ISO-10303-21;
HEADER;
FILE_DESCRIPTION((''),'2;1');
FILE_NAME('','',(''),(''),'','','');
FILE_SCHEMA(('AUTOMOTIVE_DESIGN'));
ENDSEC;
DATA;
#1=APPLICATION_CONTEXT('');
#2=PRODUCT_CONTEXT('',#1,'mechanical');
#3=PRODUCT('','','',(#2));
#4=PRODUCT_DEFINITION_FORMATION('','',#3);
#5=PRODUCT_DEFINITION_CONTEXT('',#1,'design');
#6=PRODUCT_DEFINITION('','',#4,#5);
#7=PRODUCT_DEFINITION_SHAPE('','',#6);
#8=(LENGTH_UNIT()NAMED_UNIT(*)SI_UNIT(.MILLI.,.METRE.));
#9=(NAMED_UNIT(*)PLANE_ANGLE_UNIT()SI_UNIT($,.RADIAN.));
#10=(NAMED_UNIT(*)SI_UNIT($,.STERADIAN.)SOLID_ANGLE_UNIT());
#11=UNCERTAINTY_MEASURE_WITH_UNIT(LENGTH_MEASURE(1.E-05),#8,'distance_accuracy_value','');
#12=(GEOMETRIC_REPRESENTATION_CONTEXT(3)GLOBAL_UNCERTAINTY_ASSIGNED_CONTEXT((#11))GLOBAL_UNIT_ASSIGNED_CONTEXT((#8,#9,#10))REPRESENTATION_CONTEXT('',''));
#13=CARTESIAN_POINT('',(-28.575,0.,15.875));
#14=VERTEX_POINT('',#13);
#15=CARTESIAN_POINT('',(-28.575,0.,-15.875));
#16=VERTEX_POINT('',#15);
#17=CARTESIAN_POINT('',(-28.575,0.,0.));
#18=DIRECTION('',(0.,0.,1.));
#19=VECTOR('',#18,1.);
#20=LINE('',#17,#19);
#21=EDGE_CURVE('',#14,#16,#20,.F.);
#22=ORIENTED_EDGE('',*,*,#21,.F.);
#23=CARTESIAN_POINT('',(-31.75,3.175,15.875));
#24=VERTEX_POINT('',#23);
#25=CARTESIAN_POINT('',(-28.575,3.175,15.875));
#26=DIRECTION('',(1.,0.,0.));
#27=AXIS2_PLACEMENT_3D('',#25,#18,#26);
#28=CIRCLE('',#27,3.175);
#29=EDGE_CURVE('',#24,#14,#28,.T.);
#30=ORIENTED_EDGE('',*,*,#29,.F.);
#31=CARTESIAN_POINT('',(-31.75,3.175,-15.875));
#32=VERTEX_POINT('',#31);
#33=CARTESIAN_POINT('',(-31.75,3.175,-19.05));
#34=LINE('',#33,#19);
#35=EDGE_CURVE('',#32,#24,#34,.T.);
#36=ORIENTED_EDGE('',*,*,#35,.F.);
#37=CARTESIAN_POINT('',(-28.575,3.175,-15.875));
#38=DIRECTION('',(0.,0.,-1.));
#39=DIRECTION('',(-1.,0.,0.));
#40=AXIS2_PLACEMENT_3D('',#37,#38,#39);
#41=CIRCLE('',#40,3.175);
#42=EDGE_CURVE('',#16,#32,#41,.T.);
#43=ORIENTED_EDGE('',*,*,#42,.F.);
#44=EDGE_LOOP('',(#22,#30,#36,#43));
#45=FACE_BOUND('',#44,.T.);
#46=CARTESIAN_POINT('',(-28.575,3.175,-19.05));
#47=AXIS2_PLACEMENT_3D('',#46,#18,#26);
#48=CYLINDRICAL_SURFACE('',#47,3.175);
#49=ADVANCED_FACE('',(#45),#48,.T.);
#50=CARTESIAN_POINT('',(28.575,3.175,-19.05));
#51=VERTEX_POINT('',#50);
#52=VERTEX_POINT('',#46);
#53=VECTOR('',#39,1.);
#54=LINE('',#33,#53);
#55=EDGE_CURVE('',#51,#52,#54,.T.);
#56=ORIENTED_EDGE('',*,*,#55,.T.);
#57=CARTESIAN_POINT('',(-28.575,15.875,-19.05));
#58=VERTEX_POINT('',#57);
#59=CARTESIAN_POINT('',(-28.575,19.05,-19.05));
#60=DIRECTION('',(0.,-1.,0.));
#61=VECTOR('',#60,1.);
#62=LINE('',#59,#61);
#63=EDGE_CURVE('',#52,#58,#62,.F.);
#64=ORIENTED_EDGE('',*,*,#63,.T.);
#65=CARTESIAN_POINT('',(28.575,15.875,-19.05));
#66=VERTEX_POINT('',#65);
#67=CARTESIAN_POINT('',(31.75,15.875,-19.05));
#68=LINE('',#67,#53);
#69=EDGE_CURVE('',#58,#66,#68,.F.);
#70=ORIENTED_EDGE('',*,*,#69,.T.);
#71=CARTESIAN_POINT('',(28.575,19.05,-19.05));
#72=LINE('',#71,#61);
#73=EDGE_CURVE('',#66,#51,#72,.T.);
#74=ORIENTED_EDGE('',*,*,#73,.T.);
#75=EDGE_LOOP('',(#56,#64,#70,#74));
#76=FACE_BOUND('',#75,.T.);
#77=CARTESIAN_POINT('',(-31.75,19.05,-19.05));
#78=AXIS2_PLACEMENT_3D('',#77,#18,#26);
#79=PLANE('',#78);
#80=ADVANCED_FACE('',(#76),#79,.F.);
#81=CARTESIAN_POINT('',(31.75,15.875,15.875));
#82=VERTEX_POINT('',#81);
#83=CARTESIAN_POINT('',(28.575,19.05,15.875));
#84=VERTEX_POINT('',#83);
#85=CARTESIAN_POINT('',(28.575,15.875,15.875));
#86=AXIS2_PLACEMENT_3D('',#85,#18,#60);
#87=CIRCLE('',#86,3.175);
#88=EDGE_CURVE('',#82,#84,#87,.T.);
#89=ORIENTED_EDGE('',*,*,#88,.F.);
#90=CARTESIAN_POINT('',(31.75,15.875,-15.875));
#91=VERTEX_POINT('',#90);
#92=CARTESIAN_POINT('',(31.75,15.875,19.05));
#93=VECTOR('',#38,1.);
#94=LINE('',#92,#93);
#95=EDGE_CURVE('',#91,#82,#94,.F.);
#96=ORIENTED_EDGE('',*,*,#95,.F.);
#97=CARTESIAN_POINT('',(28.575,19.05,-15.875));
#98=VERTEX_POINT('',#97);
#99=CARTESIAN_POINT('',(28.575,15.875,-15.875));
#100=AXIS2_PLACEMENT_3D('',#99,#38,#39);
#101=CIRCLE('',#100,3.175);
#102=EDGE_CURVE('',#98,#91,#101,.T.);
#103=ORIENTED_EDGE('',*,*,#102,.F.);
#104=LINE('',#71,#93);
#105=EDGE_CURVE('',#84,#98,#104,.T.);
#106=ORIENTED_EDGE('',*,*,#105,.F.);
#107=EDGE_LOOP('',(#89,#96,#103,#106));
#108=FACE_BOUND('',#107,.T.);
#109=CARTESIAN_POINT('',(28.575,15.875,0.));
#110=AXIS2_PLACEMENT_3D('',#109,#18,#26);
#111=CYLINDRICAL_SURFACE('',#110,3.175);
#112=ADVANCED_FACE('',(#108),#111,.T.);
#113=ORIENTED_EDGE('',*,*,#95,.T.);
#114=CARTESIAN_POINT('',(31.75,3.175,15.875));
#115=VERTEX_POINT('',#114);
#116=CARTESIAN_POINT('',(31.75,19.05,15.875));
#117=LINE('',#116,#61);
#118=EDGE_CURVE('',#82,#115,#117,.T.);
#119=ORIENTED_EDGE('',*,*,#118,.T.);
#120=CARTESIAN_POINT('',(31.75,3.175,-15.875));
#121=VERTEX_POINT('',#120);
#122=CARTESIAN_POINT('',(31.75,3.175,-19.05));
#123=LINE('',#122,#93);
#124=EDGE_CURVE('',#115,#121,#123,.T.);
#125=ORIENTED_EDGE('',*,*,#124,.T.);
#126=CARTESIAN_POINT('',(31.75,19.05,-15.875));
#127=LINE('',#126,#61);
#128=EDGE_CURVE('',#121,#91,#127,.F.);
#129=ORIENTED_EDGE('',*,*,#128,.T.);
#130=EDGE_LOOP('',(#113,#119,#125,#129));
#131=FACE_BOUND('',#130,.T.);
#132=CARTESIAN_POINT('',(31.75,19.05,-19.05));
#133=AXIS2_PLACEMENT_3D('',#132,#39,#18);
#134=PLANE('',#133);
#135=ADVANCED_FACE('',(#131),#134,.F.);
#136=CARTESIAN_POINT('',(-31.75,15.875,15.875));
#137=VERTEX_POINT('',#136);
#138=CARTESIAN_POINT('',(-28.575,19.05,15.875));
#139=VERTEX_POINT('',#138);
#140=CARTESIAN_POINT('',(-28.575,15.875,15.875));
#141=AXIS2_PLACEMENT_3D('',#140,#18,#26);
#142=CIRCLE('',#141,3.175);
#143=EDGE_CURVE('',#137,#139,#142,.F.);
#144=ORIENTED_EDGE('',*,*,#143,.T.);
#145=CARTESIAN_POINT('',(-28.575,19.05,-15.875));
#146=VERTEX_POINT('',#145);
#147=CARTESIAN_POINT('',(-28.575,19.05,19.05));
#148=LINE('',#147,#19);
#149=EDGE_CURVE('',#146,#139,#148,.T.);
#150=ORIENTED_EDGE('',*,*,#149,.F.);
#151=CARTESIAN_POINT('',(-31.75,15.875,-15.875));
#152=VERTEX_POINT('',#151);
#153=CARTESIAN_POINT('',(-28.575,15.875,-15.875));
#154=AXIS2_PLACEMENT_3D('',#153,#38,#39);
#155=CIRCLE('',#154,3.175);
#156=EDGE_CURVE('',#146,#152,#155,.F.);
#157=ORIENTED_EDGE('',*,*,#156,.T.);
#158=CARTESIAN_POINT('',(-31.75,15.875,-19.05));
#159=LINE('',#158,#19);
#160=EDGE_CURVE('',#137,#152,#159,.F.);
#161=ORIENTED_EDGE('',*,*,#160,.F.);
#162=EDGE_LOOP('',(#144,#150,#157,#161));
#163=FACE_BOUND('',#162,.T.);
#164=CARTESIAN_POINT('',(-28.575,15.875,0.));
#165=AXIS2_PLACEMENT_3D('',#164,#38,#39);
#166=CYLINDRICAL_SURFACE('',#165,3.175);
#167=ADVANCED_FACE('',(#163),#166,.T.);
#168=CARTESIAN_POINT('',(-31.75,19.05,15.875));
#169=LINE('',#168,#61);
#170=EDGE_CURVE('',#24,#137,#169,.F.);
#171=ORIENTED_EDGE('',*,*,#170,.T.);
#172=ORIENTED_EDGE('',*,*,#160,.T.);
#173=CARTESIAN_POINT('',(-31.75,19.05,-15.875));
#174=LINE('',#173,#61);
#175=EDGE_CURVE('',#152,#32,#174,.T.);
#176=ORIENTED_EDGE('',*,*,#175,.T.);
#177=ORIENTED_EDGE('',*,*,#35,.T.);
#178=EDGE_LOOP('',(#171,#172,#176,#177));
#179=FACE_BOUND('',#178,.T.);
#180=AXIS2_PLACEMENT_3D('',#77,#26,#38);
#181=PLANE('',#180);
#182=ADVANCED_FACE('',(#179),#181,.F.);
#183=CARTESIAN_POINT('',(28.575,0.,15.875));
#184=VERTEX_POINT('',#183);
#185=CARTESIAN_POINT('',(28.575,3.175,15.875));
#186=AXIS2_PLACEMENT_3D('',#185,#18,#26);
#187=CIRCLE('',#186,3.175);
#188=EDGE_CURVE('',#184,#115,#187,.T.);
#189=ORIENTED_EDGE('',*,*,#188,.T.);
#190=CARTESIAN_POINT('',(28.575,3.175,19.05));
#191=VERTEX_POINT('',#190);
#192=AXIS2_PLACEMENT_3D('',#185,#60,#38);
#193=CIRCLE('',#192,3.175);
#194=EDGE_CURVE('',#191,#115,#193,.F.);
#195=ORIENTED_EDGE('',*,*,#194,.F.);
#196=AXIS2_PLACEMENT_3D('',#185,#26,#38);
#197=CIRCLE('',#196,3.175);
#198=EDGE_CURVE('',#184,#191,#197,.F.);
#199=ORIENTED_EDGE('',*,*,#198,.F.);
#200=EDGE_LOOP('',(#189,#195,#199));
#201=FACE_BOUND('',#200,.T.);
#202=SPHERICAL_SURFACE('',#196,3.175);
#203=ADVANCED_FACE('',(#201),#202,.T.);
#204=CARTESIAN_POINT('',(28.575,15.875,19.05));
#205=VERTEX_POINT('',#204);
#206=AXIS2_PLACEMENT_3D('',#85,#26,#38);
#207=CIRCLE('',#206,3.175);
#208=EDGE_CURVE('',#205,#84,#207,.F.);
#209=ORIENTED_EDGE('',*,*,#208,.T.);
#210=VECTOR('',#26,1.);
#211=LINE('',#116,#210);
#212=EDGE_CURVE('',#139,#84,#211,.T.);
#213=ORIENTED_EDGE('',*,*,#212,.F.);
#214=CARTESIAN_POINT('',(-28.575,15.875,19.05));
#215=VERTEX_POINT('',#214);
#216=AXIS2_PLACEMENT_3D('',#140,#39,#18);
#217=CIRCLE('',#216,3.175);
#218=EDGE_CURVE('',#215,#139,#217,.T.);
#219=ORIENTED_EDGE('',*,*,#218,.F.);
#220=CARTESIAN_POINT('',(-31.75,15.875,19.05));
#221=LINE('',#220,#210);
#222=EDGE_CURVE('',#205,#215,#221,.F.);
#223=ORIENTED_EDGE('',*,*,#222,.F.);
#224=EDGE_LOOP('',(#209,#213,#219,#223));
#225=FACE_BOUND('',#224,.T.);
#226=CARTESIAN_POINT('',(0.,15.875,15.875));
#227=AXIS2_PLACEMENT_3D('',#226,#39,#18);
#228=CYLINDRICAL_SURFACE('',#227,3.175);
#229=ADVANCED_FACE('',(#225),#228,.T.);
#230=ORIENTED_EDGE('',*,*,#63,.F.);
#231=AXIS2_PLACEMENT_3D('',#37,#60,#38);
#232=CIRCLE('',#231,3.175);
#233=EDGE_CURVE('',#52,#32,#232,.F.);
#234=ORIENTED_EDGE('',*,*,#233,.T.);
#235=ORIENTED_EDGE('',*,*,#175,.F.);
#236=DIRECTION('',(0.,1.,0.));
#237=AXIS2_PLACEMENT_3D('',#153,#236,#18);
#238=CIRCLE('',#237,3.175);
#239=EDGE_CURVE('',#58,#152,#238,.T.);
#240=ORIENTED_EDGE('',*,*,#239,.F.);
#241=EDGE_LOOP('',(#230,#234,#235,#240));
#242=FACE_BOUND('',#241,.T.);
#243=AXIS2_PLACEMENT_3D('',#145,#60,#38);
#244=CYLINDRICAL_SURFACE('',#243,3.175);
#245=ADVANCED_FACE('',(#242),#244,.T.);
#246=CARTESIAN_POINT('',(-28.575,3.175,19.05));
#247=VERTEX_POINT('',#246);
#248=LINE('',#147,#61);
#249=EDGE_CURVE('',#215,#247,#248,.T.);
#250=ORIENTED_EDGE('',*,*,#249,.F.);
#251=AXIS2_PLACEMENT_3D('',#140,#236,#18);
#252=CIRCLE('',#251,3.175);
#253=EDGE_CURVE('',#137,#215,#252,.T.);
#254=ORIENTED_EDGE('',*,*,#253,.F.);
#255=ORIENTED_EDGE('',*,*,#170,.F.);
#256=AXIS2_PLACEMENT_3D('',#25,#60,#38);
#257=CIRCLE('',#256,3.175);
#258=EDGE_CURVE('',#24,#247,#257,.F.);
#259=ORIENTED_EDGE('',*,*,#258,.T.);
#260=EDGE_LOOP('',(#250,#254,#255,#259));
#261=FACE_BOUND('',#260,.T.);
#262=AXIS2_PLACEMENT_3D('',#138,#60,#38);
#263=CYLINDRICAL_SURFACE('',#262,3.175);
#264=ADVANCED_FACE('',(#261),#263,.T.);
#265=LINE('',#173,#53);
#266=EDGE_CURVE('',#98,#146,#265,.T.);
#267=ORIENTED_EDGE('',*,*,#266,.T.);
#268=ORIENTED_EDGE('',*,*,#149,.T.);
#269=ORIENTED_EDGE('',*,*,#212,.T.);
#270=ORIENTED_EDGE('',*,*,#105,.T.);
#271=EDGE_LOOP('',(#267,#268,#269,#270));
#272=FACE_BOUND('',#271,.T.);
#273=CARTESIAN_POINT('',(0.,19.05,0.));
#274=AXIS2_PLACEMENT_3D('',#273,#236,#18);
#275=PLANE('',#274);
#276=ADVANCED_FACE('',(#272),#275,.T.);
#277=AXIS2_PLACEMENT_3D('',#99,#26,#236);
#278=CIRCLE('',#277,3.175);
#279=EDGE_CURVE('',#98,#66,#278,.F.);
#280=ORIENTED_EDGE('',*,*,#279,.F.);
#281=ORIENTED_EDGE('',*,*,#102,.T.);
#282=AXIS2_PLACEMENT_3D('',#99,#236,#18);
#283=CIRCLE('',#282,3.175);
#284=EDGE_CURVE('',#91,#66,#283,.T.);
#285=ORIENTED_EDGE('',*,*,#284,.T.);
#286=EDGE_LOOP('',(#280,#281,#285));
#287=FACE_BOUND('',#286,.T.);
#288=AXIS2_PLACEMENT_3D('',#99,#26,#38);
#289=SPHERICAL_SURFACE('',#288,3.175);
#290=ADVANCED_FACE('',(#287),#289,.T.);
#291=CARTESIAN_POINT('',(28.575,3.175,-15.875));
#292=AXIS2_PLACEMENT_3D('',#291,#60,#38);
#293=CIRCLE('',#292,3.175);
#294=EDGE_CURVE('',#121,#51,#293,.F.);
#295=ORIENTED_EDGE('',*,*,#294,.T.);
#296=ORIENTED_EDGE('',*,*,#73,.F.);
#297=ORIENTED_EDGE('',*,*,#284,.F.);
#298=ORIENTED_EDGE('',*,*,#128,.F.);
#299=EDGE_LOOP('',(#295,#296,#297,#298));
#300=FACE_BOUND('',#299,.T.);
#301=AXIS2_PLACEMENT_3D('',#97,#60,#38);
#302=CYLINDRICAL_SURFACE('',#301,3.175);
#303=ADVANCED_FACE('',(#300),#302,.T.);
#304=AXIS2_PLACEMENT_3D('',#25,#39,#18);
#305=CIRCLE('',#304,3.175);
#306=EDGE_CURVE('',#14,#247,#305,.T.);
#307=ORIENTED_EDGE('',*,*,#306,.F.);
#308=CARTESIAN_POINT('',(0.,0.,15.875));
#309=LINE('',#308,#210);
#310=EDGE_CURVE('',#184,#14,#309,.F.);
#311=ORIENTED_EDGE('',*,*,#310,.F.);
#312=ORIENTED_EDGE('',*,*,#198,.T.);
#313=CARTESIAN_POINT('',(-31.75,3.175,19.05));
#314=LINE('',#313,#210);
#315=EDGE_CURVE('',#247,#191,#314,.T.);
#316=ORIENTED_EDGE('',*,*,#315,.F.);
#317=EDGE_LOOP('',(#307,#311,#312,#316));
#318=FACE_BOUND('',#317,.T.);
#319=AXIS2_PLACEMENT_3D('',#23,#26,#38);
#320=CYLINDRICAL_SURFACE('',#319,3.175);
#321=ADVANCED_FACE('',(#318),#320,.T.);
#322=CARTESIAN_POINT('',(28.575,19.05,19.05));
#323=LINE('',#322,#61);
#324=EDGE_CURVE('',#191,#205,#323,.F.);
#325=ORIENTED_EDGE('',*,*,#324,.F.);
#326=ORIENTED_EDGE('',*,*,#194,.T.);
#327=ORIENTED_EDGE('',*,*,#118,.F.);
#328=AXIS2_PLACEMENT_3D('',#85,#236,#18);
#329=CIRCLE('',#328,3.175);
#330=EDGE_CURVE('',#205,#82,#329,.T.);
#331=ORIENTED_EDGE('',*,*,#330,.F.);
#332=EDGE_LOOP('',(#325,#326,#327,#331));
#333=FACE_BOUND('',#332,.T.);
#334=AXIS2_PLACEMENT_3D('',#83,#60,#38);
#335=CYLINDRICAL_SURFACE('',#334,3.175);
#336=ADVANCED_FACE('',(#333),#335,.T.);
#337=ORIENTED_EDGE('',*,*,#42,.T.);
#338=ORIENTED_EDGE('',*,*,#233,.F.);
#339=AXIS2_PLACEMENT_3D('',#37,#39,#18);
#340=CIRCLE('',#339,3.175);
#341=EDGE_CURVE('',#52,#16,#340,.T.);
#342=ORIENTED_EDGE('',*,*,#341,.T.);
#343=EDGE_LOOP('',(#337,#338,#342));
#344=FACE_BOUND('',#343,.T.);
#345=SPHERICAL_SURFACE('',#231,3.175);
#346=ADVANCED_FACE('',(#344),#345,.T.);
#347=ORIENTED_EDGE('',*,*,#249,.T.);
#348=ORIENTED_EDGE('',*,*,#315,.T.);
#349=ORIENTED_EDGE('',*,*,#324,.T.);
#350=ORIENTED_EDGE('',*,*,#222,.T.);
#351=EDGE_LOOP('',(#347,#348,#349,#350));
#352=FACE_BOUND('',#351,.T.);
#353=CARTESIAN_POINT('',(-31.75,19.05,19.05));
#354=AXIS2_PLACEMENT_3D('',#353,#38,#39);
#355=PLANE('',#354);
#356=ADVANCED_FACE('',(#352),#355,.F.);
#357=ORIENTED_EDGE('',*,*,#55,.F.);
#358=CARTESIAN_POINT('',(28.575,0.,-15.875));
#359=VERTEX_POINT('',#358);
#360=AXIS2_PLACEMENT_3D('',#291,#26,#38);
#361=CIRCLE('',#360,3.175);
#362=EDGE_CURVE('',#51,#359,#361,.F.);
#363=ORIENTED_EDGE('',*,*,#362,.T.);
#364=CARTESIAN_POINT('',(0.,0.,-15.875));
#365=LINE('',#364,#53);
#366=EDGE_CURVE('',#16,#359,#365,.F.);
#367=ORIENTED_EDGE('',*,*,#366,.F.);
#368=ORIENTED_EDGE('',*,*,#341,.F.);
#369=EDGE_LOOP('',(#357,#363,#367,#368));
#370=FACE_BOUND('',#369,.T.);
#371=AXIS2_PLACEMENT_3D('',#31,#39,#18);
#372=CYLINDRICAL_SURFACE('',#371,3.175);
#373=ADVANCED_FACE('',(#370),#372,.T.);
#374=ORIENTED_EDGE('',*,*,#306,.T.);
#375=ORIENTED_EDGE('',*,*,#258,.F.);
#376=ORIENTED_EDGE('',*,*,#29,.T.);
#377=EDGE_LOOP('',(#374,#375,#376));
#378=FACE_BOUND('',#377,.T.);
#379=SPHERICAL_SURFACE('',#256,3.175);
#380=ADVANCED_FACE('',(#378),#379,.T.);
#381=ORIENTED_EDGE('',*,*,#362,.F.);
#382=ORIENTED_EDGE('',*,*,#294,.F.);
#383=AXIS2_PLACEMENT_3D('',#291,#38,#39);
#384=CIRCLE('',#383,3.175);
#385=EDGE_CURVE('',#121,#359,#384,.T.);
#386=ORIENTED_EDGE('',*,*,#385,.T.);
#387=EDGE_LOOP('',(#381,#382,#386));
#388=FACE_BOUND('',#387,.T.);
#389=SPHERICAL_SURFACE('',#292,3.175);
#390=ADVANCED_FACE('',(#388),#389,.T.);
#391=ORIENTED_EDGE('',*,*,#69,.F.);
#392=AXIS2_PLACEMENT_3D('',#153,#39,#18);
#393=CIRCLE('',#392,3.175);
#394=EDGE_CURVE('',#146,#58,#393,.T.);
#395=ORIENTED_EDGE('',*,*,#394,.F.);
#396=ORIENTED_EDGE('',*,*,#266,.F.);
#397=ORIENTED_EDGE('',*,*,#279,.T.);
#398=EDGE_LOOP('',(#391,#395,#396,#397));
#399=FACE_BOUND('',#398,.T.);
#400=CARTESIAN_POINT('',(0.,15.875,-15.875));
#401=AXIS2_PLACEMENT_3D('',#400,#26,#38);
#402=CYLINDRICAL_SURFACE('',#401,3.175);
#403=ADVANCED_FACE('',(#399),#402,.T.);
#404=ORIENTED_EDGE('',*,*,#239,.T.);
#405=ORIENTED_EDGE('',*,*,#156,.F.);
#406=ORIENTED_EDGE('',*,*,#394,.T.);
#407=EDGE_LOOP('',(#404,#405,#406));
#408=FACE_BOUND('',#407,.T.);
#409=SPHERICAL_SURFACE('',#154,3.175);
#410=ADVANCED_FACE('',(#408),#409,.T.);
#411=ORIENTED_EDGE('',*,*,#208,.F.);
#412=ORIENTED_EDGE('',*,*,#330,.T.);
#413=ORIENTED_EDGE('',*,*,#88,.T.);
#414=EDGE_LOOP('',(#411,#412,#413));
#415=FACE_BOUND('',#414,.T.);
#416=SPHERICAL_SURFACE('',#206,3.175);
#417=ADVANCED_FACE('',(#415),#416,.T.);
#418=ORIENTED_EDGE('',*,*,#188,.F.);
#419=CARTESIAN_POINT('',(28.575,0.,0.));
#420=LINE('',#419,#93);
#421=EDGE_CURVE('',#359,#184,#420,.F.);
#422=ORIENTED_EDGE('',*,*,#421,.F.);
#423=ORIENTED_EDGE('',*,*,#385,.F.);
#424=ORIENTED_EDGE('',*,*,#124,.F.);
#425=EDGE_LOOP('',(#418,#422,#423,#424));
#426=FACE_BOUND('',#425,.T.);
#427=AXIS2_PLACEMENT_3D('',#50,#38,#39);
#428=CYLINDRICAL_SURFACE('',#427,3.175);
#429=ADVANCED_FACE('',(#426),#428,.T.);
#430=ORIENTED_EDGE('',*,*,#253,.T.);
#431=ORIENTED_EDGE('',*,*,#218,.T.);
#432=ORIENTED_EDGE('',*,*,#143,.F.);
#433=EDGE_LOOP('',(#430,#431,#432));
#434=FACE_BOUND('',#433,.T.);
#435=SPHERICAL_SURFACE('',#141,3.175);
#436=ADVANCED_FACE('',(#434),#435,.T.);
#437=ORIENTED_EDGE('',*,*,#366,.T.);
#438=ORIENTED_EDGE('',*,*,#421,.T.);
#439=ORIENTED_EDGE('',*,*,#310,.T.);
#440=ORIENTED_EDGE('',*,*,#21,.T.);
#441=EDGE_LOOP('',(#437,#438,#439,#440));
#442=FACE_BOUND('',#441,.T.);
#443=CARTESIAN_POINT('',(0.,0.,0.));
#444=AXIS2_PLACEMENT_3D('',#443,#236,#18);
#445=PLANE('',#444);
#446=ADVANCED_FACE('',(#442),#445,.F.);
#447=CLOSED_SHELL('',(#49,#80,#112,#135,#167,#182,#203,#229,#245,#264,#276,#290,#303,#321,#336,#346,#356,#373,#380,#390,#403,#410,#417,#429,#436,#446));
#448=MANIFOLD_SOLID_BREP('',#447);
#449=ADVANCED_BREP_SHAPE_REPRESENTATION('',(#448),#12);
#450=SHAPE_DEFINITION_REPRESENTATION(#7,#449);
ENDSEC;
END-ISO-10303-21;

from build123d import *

# Parameters (mm, degrees)
SKETCH1_W           = 63.5
SKETCH1_H           = 38.1
BOSS_EXTRUDE1_DEPTH = 19.05
FILLET1_R           = 3.175


with BuildPart() as part:
    # Sketch1 → Boss-Extrude1 (new body)
    with BuildSketch(Plane(origin=(0, 0, 0), x_dir=(1, 0, 0), z_dir=(0, 1, 0))):
        Rectangle(SKETCH1_W, SKETCH1_H)
    extrude(amount=BOSS_EXTRUDE1_DEPTH)

    # Fillet1
    fillet1_edges = [part.edges().sort_by_distance(p)[0] for p in [
        (-31.75, 19.05, 0),
        (0, 19.05, 19.05),
        (31.75, 19.05, 0),
        (0, 0, 19.05),
        (-31.75, 0, 0),
        (0, 0, -19.05),
        (31.75, 0, 0),
        (31.75, 9.525, 19.05),
        (-31.75, 9.525, 19.05),
        (-31.75, 9.525, -19.05),
        (31.75, 9.525, -19.05),
        (0, 19.05, -19.05),
    ]]
    fillet(fillet1_edges, radius=FILLET1_R)


solid = part.part
